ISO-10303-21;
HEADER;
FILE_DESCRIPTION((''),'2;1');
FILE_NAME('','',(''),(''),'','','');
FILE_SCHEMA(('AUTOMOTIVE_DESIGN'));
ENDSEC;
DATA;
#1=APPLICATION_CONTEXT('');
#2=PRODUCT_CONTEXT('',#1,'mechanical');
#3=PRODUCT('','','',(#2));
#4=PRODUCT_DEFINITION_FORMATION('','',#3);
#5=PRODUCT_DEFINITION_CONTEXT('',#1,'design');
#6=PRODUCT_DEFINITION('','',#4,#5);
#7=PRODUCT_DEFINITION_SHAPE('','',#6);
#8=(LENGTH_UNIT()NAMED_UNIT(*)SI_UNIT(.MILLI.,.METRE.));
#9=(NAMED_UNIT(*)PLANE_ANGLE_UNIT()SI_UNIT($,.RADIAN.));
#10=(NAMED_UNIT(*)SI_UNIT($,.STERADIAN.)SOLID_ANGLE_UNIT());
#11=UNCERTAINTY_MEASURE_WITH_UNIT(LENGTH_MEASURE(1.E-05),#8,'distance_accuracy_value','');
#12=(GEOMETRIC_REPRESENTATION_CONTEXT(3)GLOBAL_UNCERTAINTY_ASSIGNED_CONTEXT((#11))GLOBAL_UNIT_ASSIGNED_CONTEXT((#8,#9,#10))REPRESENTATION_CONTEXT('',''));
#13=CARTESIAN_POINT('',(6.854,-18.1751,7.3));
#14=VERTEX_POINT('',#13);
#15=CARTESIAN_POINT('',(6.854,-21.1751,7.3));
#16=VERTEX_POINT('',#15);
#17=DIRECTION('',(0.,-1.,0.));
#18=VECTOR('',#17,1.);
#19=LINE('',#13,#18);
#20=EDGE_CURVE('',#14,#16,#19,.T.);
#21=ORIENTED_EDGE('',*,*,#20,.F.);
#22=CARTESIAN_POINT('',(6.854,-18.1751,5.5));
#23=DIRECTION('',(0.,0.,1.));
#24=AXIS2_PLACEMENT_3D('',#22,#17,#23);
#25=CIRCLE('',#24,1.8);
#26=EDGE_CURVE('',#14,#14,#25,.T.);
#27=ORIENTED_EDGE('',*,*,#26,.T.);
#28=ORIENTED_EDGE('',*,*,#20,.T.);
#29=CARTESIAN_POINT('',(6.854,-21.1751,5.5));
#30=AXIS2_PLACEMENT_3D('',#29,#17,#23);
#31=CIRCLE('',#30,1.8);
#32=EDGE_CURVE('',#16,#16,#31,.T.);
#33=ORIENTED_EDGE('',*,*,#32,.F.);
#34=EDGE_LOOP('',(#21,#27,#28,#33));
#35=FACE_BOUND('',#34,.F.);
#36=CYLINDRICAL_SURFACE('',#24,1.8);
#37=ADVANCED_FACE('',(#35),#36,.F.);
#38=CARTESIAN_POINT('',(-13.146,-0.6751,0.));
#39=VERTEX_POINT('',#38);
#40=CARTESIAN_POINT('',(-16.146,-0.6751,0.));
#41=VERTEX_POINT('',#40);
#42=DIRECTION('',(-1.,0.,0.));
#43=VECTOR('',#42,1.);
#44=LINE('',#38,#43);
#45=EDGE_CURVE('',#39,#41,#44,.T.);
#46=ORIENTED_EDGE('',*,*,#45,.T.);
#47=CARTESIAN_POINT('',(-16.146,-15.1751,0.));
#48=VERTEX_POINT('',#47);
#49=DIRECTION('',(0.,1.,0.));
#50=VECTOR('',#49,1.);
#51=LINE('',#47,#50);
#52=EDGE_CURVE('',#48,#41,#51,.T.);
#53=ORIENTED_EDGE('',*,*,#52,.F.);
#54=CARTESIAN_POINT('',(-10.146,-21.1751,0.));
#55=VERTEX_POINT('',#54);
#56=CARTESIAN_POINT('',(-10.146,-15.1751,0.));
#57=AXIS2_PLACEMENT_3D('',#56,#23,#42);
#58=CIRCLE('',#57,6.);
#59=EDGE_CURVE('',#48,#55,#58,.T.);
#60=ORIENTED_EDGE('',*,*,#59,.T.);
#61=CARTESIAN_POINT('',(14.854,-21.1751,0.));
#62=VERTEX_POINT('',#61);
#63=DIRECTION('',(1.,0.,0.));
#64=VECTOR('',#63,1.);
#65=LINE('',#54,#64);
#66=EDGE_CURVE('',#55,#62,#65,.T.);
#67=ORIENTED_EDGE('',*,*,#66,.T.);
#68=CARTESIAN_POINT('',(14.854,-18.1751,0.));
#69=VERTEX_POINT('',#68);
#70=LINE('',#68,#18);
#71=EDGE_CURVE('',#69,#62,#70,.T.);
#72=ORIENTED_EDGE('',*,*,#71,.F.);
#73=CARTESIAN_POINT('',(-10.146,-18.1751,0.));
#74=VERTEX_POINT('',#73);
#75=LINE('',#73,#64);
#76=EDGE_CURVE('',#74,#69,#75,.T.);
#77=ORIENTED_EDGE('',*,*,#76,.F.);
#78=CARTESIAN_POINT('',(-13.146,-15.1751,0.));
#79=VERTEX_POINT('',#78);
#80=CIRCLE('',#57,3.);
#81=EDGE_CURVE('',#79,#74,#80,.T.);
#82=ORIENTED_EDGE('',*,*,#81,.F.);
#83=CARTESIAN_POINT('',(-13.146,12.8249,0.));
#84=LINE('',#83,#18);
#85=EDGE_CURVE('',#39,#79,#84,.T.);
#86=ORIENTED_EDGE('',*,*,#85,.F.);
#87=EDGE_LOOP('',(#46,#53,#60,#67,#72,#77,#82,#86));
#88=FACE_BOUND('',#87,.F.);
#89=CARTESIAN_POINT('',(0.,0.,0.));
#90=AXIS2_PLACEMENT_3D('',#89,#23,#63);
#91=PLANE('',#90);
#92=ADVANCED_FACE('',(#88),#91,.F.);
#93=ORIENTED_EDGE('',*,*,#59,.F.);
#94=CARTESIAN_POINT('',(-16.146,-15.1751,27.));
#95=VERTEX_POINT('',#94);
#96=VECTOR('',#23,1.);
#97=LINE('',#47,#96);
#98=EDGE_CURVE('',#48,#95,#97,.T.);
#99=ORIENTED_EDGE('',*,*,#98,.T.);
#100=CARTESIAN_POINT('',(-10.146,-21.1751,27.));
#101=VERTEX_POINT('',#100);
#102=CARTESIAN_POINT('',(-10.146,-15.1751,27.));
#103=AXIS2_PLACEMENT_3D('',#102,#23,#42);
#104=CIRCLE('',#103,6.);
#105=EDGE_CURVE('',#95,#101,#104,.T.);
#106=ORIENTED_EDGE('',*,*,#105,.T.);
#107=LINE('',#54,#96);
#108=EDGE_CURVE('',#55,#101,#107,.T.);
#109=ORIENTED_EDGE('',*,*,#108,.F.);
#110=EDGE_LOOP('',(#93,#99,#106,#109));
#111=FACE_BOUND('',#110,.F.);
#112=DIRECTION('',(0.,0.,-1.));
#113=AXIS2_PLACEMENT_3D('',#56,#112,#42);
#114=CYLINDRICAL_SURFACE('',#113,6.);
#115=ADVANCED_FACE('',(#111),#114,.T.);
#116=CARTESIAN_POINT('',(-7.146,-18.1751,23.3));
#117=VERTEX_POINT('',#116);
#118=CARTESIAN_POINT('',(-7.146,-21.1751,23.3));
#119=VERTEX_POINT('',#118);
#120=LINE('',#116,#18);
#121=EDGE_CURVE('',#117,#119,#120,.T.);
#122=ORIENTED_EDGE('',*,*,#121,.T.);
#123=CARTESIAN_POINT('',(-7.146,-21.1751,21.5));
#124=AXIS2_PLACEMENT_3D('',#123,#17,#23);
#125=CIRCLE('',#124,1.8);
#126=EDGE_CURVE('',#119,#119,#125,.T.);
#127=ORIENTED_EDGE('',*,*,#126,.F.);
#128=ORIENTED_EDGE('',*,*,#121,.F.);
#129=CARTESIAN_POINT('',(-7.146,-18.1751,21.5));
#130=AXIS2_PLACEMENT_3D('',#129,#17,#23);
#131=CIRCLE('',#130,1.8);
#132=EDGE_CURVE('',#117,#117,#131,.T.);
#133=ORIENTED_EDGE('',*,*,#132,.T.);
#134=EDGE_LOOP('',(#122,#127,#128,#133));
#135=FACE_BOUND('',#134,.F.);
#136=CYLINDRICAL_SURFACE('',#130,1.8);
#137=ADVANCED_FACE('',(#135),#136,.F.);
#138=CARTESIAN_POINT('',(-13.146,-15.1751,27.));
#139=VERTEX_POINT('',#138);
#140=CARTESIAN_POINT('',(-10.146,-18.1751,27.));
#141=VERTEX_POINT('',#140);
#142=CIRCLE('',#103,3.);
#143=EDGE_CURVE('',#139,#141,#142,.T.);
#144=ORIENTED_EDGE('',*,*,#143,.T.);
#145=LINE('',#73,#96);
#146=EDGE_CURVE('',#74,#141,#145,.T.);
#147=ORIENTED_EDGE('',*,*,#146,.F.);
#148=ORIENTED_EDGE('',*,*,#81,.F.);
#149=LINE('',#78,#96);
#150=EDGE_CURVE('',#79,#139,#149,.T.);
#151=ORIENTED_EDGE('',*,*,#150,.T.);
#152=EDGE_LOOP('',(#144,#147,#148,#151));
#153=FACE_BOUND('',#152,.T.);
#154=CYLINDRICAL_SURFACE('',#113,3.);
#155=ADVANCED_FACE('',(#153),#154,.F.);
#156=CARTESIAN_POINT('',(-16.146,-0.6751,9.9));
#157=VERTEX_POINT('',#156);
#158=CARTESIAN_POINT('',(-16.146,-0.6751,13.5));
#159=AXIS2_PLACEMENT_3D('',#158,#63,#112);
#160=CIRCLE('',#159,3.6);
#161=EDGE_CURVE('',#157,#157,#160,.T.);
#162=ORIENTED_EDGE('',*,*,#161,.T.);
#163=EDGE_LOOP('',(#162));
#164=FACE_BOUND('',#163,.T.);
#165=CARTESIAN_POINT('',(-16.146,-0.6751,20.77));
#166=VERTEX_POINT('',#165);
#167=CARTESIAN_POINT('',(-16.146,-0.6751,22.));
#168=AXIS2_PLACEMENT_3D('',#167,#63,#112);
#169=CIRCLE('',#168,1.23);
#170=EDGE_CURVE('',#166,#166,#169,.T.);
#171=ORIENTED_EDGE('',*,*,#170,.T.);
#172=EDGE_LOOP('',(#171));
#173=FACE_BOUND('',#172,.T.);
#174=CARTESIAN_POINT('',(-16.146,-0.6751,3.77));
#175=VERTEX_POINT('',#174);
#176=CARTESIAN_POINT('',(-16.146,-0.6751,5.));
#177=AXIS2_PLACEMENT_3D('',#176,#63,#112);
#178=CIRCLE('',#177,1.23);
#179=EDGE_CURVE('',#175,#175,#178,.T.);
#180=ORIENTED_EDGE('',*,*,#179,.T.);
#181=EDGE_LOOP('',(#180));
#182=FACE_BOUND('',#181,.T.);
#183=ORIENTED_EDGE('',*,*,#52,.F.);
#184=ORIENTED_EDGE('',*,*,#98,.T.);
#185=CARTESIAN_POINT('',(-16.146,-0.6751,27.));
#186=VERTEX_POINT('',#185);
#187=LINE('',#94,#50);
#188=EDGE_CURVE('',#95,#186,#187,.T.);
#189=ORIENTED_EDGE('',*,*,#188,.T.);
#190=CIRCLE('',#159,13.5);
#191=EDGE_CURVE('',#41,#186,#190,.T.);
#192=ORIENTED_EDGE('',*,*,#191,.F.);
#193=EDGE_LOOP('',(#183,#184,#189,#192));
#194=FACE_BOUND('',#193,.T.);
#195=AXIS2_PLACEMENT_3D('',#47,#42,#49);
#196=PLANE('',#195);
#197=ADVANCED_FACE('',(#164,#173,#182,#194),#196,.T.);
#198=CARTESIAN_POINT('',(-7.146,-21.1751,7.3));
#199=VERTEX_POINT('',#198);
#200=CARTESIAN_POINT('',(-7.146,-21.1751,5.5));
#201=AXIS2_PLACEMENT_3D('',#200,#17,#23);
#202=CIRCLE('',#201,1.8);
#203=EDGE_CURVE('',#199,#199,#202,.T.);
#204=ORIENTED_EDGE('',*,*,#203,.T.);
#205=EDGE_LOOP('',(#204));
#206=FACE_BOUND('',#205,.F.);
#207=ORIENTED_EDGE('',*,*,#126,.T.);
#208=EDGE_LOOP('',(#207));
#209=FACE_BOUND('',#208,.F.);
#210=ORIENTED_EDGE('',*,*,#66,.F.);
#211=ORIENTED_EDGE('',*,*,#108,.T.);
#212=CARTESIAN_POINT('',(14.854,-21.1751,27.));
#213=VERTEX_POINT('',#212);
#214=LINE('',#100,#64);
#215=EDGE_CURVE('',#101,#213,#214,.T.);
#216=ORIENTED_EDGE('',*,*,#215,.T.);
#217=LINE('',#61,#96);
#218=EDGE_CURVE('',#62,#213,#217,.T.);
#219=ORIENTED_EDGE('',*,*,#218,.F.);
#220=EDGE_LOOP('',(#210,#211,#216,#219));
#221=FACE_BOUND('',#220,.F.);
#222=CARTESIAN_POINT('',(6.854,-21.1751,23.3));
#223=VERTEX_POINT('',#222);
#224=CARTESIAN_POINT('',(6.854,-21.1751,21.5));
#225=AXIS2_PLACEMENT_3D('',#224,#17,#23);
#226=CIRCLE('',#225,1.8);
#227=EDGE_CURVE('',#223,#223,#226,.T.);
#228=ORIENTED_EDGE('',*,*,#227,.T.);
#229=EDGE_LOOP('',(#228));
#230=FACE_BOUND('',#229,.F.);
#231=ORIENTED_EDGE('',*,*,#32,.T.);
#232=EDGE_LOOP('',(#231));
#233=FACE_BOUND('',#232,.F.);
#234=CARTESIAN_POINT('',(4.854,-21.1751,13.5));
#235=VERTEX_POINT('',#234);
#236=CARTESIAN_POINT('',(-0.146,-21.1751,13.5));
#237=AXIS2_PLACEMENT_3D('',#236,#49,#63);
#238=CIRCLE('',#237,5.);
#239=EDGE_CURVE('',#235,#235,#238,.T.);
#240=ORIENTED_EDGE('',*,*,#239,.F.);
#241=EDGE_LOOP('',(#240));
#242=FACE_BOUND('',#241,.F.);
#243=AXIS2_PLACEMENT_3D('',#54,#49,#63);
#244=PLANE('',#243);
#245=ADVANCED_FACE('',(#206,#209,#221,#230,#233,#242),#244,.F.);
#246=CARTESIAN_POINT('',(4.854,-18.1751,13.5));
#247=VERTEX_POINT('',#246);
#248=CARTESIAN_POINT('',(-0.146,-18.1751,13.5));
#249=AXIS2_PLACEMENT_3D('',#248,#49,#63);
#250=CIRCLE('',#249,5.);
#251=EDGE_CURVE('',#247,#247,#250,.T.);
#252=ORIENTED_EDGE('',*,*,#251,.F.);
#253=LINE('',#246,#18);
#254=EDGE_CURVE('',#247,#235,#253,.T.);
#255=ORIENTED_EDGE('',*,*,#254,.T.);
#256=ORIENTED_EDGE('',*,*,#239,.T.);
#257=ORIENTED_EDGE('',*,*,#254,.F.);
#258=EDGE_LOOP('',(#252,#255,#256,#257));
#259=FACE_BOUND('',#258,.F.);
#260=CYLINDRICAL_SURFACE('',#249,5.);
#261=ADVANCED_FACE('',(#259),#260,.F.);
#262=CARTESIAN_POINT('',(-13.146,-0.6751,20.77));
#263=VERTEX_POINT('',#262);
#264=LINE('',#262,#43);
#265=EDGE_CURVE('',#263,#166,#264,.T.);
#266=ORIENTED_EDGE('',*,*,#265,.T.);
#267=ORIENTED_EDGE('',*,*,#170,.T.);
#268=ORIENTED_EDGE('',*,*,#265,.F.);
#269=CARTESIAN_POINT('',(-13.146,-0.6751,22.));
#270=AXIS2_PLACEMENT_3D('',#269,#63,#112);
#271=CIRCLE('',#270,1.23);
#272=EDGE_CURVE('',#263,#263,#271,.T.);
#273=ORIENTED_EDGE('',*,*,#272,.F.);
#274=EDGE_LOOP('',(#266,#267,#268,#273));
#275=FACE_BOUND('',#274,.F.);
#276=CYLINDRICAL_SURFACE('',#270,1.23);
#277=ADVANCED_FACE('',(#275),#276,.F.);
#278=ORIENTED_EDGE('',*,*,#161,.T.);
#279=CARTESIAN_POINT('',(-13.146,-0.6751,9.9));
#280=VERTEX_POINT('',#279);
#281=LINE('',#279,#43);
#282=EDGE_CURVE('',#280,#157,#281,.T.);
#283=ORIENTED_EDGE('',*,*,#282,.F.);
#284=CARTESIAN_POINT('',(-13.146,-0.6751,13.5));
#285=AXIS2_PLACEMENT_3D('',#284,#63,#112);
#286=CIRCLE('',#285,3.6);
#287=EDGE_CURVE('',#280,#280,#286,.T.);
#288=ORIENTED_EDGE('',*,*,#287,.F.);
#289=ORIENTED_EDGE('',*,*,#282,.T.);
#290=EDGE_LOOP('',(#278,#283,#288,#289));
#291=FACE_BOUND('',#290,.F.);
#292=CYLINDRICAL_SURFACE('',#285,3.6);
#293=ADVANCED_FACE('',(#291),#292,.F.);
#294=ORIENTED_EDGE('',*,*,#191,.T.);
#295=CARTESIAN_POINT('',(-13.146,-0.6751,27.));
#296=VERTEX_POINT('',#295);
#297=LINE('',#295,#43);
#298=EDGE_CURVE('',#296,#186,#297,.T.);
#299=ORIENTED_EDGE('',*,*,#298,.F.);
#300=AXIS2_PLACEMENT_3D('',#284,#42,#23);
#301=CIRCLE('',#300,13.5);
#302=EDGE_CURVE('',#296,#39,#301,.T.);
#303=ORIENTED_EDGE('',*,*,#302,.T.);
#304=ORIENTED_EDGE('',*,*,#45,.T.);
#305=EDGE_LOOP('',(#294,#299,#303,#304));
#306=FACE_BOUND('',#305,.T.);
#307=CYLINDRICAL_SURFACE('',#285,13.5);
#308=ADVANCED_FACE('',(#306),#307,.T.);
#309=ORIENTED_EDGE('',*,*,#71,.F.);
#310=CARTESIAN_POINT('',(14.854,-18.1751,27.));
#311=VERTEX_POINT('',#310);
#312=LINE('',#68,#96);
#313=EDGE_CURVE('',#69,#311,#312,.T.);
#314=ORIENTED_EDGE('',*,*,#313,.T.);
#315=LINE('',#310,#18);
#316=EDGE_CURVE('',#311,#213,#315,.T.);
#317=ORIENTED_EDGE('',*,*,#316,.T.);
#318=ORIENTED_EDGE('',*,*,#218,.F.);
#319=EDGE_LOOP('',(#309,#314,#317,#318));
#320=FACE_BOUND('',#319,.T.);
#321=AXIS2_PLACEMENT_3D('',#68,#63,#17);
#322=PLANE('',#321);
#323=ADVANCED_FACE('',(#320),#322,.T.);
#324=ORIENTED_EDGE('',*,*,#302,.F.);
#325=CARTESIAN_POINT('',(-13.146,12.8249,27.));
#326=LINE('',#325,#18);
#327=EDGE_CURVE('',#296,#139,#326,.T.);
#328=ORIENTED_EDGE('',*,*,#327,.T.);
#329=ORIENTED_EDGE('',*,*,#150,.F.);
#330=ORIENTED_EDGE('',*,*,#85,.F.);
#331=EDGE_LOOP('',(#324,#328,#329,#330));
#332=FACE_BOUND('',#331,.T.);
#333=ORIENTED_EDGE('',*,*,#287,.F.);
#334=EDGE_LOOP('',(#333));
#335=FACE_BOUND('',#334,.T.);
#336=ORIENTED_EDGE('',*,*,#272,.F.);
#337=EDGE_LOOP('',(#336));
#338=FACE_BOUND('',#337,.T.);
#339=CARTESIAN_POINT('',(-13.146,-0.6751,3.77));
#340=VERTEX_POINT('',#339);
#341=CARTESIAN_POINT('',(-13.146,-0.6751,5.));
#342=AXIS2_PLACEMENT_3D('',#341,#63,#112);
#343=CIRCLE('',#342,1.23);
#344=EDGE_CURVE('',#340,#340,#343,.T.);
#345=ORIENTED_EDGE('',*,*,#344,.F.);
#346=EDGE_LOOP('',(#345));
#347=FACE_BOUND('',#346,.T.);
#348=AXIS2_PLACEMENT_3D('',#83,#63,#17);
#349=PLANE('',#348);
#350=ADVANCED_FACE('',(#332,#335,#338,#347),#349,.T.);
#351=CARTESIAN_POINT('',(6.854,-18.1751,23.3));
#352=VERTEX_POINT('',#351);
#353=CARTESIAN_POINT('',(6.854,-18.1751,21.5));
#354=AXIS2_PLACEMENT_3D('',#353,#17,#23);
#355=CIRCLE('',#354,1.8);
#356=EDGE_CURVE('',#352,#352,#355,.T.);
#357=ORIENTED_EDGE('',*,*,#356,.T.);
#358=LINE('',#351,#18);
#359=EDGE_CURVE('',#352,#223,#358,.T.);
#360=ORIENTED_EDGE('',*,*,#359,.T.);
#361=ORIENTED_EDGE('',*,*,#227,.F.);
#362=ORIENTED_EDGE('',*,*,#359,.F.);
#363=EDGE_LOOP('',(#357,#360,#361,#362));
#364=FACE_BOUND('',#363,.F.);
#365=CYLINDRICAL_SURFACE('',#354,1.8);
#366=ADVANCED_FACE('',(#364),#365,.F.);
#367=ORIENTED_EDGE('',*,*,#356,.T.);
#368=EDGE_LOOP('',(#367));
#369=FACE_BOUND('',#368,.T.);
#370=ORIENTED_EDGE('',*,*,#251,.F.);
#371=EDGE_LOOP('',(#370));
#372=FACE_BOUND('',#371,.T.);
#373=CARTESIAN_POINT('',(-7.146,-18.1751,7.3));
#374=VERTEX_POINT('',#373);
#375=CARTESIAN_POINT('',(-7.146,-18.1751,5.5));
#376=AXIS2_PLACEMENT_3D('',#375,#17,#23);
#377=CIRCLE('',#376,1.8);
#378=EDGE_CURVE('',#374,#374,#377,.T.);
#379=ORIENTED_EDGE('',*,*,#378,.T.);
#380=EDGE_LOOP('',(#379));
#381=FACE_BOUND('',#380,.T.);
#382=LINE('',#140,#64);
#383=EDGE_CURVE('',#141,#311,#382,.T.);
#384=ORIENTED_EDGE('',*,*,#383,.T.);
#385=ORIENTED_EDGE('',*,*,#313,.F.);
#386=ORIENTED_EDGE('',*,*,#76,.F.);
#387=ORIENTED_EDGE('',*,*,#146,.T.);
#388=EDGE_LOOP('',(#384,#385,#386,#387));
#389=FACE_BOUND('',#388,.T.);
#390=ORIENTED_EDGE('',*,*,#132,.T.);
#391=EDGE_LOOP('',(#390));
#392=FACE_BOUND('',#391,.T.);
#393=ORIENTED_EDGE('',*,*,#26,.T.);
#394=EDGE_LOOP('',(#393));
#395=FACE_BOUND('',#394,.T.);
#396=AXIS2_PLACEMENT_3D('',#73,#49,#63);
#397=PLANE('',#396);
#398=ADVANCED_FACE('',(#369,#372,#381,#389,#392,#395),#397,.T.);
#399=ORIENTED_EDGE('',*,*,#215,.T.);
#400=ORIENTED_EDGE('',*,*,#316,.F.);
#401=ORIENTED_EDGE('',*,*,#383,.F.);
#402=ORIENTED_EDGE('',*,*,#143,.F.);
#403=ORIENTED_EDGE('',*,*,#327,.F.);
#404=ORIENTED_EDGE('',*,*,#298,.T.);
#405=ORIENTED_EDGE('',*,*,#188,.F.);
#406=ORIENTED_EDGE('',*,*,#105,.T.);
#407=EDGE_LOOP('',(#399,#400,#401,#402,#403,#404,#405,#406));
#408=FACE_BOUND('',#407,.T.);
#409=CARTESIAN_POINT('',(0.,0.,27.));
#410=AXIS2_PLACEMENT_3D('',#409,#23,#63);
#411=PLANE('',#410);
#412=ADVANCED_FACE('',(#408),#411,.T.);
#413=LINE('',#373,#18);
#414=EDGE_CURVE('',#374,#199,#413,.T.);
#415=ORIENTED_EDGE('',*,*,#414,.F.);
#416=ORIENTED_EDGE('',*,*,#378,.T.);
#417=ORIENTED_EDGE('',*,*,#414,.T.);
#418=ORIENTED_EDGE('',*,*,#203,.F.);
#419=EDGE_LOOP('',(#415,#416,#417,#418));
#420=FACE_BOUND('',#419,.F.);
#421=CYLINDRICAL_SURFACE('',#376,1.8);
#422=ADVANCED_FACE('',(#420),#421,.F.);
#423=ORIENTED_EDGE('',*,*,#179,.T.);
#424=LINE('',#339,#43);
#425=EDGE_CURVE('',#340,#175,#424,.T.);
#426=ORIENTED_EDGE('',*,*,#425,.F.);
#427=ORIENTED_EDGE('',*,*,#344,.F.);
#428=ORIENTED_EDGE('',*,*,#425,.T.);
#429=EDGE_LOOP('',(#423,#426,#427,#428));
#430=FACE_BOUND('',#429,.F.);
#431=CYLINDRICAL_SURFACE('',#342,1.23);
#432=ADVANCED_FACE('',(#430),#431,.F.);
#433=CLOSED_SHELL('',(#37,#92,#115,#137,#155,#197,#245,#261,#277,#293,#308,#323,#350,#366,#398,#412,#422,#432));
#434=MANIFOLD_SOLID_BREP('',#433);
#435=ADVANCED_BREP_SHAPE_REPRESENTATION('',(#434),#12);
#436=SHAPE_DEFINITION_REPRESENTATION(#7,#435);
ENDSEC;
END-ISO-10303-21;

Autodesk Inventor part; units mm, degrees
ref_plane "YZ Plane" through (0, 0, 0) normal (1, 0, 0) x (0, 1, 0)
ref_plane "XZ Plane" through (0, 0, 0) normal (0, 1, 0) x (-1, 0, 0)
ref_plane "XY Plane" through (0, 0, 0) normal (0, 0, 1) x (1, 0, 0)
sketch "草图1" plane through (0, 0, 0) normal (0, 0, 1) x (1, 0, 0)
  line L0 (-16.146, 12.8249) -> (-13.146, 12.8249)
  line L1 (-13.146, 12.8249) -> (-13.146, -15.1751)
  line L2 (-16.146, -15.1751) -> (-16.146, 12.8249)
  arc A0 (-13.146, -15.1751) -> (-10.146, -18.1751) centre (-10.146, -15.1751) ccw
  line L3 (-10.146, -18.1751) -> (-10.146, -15.1751) construction
  arc A1 (-16.146, -15.1751) -> (-10.146, -21.1751) centre (-10.146, -15.1751) ccw
  line L4 (-10.146, -18.1751) -> (14.854, -18.1751)
  line L5 (-10.146, -21.1751) -> (14.854, -21.1751)
  line L6 (14.854, -18.1751) -> (14.854, -21.1751)
  point P0 (0, 0)
  dimension "d0" = 3
  dimension "d1" = 28
  dimension "d2" = 28
  dimension "d3" = 3
  dimension "d4" = 25
  dimension "d5" = 25
extrude "拉伸1" add sketch "草图1" along normal blind 27
sketch "草图2" plane through (-16.146, -15.1751, 0) normal (-1, 0, 0) x (0, 0, 1)
  line L0 (0, 28) -> (0, 0) construction
  line L1 (27, 0) -> (27, -3) construction
  line L2 (0, 28) -> (27, 28) construction
  line L3 (27, 28) -> (27, 0) construction
  line L4 (27, 0) -> (0, 0) construction
  line L5 (0, 0) -> (0, 28) construction
  line L6 (0, 14.5) -> (27, 14.5) construction
  line L7 (27, 0) -> (27, 28) construction
  point P0 (0, 15.1751)
  dimension "d8" = 13.5
sketch "草图3" plane through (-13.146, -15.1751, 0) normal (1, 0, 0) x (0, 0, -1)
  line L0 (-27, 0) -> (-27, 28) construction
  line L1 (0, 0) -> (0, -3) construction
  line L2 (-27, 28) -> (0, 28) construction
  line L3 (0, 28) -> (0, 0) construction
  line L4 (0, 0) -> (-27, 0) construction
  line L5 (-27, 0) -> (-27, 28) construction
  line L6 (-27, 14.5) -> (0, 14.5) construction
  line L7 (0, 28) -> (-27, 28) construction
  arc A0 (0, 14.5) -> (-27, 14.5) centre (-13.5, 14.5) ccw
  line L8 (-27, 14.5) -> (-27, 28)
  line L9 (-13.5, 28) -> (-27, 28)
  line L10 (-13.5, 28) -> (0, 28)
  line L11 (0, 28) -> (0, 0) projected
  line L12 (0, 14.5) -> (0, 28)
  circle A1 centre (-13.5, 14.5) radius 3.6
  circle A2 centre (-5, 14.5) radius 1.23
  line L13 (-13.5, 14.5) -> (-13.5, 0) construction
  circle A3 centre (-22, 14.5) radius 1.23
  point P0 (0, 15.1751)
  dimension "d9" = 13.5
  dimension "d12" = 7.2
  dimension "d13" = 2.46
  dimension "d14" = 17
extrude "拉伸2" cut sketch "草图3" against normal through all contours A0 L8 L9 | A0 L10 L11
extrude "拉伸3" cut sketch "草图3" against normal through all contours A1 | A2 | A3
sketch "草图4" plane through (-10.146, -18.1751, 0) normal (0, 1, 0) x (1, 0, 0)
  point P0 (10.146, 0)
sketch "草图5" plane through (-10.146, -18.1751, 0) normal (0, 1, 0) x (1, 0, 0)
  circle A0 centre (10, -13.5) radius 5
  line L0 (25, 0) -> (0, 0) projected
  line L1 (25, 0) -> (25, -27) projected
  line L2 (10, -13.5) -> (10, -3.684) construction
  line L3 (10, -13.5) -> (-1.3209, -13.5) construction
  point P0 (10.146, 0)
  point P1 (3, -5.5)
  point P2 (3, -21.5)
  point P3 (17, -5.5)
  point P4 (17, -21.5)
  dimension "d17" = 10
  dimension "d18" = 13.5
  dimension "d19" = 15
  dimension "d20" = 16
  dimension "d21" = 14
  dimension "d22" = 7
  dimension "d23" = 7
extrude "拉伸4" cut sketch "草图5" against normal through all
hole "孔1" at (-7.146, -18.1751, 21.5) at (-7.146, -18.1751, 5.5) at (6.854, -18.1751, 5.5) at (6.854, -18.1751, 21.5) direction (0, -1, 0) diameter 3.6 end through all
properties part number "联轴器"
